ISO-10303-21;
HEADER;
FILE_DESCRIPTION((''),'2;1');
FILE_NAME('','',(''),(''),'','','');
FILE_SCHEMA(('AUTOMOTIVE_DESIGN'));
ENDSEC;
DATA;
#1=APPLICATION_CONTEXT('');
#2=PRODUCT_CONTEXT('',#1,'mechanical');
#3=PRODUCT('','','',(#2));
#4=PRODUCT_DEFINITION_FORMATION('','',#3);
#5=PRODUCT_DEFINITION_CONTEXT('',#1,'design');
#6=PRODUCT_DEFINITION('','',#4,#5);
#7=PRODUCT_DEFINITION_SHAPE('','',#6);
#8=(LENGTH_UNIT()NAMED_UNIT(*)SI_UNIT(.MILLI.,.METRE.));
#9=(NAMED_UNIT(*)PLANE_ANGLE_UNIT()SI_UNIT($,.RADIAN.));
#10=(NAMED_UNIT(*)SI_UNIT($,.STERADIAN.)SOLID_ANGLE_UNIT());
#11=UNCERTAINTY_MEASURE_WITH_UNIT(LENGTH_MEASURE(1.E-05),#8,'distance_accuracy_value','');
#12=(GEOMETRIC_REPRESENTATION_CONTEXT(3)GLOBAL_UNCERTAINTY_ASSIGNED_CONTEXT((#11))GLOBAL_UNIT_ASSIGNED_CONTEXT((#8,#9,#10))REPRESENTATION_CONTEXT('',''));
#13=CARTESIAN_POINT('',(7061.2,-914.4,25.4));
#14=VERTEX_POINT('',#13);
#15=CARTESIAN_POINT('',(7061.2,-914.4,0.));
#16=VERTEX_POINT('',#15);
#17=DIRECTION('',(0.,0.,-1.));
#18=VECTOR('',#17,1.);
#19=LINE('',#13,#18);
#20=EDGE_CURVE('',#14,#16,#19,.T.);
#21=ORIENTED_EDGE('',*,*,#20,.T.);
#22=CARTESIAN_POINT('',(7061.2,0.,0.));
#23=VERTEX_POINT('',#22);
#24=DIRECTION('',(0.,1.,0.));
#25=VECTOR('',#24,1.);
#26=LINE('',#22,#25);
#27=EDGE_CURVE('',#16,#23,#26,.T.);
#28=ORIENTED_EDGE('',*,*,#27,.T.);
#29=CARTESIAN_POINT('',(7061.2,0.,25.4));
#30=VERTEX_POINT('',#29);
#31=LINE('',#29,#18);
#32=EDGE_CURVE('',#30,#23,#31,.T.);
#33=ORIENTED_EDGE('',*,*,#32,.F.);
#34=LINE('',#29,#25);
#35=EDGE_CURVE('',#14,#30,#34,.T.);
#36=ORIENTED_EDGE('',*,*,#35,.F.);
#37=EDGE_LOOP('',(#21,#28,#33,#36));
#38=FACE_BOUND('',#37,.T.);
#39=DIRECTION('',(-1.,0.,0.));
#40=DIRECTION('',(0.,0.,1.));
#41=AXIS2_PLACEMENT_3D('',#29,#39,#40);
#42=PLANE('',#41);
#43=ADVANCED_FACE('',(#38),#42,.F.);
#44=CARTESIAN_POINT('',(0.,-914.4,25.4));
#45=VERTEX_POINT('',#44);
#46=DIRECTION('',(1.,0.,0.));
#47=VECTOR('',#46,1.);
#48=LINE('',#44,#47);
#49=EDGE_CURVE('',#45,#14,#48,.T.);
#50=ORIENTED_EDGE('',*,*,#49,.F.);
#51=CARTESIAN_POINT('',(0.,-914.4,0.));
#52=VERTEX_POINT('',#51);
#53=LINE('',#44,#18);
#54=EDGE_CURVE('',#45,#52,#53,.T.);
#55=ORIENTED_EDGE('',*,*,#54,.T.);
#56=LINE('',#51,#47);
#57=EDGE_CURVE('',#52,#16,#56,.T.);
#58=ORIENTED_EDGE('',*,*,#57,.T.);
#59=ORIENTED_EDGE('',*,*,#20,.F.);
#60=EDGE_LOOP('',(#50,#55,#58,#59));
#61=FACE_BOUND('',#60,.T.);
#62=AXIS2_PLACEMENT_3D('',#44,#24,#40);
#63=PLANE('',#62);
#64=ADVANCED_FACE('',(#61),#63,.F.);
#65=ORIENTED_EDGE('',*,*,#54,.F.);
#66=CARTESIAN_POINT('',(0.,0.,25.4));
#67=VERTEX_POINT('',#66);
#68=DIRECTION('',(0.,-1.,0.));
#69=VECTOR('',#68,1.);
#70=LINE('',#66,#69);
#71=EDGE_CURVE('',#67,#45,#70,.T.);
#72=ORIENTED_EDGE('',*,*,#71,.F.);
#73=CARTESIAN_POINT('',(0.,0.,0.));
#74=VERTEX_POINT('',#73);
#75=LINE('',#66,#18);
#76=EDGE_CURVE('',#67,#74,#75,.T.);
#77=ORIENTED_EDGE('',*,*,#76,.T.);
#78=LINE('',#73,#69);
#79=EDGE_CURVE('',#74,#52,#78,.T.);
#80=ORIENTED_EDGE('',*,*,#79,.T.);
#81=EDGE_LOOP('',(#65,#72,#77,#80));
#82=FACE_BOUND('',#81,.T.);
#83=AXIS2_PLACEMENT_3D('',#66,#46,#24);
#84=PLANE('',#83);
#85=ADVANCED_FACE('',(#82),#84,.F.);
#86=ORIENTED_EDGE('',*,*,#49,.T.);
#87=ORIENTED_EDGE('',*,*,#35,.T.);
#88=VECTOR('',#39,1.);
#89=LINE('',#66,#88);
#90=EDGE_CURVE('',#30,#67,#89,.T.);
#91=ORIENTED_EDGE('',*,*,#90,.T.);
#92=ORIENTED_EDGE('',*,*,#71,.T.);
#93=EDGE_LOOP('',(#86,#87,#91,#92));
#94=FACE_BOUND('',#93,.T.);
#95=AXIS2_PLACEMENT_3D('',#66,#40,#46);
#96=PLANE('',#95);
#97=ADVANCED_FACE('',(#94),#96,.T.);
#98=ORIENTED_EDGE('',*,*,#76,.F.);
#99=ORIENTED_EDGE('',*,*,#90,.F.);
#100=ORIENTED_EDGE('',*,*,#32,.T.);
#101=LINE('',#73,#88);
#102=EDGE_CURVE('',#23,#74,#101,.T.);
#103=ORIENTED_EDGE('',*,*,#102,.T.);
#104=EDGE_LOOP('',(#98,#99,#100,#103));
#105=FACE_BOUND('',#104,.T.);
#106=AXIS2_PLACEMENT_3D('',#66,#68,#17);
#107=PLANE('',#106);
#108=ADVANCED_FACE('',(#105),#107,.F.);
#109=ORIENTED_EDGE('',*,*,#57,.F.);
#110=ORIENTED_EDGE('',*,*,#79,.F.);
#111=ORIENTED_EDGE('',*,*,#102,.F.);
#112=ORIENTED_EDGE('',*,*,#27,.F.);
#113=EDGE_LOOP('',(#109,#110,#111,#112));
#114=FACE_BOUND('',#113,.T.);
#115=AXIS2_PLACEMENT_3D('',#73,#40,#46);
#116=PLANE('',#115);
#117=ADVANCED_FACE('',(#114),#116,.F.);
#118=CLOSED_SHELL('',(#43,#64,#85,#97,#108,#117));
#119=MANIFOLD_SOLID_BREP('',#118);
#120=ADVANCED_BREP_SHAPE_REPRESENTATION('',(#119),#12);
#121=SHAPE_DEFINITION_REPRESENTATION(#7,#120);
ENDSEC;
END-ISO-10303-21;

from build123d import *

# Parameters (mm, degrees)
SKETCH1_W           = 7061.2
SKETCH1_H           = 914.4
BOSS_EXTRUDE1_DEPTH = 25.4


with BuildPart() as part:
    # Sketch1 → Boss-Extrude1 (new body)
    with BuildSketch(Plane.XY):
        with Locations((3530.6, -457.2)):
            Rectangle(SKETCH1_W, SKETCH1_H)
    extrude(amount=BOSS_EXTRUDE1_DEPTH)


solid = part.part
